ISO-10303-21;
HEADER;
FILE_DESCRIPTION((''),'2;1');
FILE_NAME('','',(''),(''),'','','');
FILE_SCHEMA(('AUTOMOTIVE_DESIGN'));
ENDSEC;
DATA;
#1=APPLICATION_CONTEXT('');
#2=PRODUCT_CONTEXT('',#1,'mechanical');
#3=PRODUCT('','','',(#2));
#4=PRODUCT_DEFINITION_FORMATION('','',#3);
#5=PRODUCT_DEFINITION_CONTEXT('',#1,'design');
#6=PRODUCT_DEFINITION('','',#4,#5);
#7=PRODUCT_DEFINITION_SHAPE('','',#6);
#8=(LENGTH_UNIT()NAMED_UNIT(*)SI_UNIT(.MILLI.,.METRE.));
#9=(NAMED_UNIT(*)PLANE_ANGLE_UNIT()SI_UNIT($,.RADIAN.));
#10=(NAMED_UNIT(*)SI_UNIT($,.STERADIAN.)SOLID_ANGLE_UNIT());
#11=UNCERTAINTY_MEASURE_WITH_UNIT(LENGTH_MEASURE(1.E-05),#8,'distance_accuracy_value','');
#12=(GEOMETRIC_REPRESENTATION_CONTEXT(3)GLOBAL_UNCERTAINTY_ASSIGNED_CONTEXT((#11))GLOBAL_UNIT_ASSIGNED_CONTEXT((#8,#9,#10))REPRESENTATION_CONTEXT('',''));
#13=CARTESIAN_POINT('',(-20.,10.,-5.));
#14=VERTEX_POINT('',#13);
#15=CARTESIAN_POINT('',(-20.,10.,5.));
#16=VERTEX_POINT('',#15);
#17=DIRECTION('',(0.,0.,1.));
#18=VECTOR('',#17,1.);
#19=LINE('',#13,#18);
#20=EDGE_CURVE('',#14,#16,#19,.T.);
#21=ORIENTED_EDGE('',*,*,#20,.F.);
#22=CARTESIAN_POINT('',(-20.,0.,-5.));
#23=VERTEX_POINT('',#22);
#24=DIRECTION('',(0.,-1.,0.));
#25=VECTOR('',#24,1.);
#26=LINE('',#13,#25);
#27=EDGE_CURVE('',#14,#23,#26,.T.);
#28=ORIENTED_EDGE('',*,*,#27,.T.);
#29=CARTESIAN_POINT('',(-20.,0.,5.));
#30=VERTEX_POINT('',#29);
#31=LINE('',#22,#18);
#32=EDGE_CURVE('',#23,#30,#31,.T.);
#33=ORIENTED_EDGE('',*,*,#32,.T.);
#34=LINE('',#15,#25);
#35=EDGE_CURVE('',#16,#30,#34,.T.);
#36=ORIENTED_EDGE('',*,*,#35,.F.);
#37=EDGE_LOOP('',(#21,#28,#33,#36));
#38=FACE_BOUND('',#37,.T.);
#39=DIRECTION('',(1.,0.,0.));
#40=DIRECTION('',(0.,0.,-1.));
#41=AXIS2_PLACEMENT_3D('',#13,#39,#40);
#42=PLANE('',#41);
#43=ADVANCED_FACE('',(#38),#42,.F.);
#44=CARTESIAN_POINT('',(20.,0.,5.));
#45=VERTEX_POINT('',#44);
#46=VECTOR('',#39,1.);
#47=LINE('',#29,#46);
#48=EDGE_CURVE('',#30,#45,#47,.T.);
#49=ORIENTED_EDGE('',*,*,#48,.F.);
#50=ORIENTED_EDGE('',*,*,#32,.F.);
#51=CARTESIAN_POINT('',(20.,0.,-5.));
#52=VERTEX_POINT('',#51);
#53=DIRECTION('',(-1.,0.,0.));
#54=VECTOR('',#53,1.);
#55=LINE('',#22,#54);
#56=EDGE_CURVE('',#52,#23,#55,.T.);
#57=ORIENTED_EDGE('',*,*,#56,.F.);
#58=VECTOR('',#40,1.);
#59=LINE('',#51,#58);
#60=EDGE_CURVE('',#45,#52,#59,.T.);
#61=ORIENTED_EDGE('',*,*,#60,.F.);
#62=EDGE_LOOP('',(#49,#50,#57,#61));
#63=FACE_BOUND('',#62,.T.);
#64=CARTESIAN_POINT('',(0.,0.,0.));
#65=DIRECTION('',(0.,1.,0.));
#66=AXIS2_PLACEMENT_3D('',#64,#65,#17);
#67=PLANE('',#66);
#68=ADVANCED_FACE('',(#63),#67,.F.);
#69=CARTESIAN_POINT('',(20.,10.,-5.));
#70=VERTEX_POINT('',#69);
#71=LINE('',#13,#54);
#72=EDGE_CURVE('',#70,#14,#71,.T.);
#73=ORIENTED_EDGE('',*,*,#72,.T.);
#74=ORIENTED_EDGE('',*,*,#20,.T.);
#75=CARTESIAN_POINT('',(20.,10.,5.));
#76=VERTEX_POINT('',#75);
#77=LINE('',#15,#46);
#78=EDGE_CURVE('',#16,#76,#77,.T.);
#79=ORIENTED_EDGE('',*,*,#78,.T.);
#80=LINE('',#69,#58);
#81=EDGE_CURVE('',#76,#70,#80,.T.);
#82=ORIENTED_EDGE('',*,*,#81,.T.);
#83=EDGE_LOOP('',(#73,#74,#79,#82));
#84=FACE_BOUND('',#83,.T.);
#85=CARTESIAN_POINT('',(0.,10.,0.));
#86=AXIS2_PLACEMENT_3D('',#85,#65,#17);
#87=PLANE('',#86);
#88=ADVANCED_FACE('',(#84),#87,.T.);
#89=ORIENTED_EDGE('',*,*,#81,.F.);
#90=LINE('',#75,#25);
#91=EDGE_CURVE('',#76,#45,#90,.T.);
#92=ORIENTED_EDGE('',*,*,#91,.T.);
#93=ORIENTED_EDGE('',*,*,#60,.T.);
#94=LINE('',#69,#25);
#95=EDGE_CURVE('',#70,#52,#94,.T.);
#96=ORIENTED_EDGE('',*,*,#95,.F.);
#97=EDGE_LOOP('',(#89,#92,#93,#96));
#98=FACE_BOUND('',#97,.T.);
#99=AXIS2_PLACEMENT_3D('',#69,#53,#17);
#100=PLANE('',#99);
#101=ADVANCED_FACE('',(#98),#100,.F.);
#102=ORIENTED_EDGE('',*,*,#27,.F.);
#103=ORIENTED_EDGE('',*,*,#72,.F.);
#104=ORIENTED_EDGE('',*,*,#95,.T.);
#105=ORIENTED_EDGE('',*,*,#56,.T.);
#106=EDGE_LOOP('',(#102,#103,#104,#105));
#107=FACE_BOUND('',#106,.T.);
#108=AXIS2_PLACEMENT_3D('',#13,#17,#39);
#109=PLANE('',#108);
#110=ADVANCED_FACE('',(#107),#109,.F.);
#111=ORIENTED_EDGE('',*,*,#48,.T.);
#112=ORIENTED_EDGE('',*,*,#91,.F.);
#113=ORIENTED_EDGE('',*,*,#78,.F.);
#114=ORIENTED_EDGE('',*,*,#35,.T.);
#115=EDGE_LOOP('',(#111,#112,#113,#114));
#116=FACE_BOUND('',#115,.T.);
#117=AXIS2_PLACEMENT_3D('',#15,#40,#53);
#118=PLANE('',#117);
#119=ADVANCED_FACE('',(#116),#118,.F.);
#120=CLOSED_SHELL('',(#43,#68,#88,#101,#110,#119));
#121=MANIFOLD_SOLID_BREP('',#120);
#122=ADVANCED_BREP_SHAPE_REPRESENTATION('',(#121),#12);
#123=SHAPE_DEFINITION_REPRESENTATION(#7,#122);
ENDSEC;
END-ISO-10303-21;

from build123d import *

# Parameters (mm, degrees)
SKETCH1_W           = 40
SKETCH1_H           = 10
BOSS_EXTRUDE1_DEPTH = 10


with BuildPart() as part:
    # Sketch1 → Boss-Extrude1 (new body)
    with BuildSketch(Plane(origin=(0, 0, 0), x_dir=(1, 0, 0), z_dir=(0, 1, 0))):
        Rectangle(SKETCH1_W, SKETCH1_H)
    extrude(amount=BOSS_EXTRUDE1_DEPTH)


solid = part.part
